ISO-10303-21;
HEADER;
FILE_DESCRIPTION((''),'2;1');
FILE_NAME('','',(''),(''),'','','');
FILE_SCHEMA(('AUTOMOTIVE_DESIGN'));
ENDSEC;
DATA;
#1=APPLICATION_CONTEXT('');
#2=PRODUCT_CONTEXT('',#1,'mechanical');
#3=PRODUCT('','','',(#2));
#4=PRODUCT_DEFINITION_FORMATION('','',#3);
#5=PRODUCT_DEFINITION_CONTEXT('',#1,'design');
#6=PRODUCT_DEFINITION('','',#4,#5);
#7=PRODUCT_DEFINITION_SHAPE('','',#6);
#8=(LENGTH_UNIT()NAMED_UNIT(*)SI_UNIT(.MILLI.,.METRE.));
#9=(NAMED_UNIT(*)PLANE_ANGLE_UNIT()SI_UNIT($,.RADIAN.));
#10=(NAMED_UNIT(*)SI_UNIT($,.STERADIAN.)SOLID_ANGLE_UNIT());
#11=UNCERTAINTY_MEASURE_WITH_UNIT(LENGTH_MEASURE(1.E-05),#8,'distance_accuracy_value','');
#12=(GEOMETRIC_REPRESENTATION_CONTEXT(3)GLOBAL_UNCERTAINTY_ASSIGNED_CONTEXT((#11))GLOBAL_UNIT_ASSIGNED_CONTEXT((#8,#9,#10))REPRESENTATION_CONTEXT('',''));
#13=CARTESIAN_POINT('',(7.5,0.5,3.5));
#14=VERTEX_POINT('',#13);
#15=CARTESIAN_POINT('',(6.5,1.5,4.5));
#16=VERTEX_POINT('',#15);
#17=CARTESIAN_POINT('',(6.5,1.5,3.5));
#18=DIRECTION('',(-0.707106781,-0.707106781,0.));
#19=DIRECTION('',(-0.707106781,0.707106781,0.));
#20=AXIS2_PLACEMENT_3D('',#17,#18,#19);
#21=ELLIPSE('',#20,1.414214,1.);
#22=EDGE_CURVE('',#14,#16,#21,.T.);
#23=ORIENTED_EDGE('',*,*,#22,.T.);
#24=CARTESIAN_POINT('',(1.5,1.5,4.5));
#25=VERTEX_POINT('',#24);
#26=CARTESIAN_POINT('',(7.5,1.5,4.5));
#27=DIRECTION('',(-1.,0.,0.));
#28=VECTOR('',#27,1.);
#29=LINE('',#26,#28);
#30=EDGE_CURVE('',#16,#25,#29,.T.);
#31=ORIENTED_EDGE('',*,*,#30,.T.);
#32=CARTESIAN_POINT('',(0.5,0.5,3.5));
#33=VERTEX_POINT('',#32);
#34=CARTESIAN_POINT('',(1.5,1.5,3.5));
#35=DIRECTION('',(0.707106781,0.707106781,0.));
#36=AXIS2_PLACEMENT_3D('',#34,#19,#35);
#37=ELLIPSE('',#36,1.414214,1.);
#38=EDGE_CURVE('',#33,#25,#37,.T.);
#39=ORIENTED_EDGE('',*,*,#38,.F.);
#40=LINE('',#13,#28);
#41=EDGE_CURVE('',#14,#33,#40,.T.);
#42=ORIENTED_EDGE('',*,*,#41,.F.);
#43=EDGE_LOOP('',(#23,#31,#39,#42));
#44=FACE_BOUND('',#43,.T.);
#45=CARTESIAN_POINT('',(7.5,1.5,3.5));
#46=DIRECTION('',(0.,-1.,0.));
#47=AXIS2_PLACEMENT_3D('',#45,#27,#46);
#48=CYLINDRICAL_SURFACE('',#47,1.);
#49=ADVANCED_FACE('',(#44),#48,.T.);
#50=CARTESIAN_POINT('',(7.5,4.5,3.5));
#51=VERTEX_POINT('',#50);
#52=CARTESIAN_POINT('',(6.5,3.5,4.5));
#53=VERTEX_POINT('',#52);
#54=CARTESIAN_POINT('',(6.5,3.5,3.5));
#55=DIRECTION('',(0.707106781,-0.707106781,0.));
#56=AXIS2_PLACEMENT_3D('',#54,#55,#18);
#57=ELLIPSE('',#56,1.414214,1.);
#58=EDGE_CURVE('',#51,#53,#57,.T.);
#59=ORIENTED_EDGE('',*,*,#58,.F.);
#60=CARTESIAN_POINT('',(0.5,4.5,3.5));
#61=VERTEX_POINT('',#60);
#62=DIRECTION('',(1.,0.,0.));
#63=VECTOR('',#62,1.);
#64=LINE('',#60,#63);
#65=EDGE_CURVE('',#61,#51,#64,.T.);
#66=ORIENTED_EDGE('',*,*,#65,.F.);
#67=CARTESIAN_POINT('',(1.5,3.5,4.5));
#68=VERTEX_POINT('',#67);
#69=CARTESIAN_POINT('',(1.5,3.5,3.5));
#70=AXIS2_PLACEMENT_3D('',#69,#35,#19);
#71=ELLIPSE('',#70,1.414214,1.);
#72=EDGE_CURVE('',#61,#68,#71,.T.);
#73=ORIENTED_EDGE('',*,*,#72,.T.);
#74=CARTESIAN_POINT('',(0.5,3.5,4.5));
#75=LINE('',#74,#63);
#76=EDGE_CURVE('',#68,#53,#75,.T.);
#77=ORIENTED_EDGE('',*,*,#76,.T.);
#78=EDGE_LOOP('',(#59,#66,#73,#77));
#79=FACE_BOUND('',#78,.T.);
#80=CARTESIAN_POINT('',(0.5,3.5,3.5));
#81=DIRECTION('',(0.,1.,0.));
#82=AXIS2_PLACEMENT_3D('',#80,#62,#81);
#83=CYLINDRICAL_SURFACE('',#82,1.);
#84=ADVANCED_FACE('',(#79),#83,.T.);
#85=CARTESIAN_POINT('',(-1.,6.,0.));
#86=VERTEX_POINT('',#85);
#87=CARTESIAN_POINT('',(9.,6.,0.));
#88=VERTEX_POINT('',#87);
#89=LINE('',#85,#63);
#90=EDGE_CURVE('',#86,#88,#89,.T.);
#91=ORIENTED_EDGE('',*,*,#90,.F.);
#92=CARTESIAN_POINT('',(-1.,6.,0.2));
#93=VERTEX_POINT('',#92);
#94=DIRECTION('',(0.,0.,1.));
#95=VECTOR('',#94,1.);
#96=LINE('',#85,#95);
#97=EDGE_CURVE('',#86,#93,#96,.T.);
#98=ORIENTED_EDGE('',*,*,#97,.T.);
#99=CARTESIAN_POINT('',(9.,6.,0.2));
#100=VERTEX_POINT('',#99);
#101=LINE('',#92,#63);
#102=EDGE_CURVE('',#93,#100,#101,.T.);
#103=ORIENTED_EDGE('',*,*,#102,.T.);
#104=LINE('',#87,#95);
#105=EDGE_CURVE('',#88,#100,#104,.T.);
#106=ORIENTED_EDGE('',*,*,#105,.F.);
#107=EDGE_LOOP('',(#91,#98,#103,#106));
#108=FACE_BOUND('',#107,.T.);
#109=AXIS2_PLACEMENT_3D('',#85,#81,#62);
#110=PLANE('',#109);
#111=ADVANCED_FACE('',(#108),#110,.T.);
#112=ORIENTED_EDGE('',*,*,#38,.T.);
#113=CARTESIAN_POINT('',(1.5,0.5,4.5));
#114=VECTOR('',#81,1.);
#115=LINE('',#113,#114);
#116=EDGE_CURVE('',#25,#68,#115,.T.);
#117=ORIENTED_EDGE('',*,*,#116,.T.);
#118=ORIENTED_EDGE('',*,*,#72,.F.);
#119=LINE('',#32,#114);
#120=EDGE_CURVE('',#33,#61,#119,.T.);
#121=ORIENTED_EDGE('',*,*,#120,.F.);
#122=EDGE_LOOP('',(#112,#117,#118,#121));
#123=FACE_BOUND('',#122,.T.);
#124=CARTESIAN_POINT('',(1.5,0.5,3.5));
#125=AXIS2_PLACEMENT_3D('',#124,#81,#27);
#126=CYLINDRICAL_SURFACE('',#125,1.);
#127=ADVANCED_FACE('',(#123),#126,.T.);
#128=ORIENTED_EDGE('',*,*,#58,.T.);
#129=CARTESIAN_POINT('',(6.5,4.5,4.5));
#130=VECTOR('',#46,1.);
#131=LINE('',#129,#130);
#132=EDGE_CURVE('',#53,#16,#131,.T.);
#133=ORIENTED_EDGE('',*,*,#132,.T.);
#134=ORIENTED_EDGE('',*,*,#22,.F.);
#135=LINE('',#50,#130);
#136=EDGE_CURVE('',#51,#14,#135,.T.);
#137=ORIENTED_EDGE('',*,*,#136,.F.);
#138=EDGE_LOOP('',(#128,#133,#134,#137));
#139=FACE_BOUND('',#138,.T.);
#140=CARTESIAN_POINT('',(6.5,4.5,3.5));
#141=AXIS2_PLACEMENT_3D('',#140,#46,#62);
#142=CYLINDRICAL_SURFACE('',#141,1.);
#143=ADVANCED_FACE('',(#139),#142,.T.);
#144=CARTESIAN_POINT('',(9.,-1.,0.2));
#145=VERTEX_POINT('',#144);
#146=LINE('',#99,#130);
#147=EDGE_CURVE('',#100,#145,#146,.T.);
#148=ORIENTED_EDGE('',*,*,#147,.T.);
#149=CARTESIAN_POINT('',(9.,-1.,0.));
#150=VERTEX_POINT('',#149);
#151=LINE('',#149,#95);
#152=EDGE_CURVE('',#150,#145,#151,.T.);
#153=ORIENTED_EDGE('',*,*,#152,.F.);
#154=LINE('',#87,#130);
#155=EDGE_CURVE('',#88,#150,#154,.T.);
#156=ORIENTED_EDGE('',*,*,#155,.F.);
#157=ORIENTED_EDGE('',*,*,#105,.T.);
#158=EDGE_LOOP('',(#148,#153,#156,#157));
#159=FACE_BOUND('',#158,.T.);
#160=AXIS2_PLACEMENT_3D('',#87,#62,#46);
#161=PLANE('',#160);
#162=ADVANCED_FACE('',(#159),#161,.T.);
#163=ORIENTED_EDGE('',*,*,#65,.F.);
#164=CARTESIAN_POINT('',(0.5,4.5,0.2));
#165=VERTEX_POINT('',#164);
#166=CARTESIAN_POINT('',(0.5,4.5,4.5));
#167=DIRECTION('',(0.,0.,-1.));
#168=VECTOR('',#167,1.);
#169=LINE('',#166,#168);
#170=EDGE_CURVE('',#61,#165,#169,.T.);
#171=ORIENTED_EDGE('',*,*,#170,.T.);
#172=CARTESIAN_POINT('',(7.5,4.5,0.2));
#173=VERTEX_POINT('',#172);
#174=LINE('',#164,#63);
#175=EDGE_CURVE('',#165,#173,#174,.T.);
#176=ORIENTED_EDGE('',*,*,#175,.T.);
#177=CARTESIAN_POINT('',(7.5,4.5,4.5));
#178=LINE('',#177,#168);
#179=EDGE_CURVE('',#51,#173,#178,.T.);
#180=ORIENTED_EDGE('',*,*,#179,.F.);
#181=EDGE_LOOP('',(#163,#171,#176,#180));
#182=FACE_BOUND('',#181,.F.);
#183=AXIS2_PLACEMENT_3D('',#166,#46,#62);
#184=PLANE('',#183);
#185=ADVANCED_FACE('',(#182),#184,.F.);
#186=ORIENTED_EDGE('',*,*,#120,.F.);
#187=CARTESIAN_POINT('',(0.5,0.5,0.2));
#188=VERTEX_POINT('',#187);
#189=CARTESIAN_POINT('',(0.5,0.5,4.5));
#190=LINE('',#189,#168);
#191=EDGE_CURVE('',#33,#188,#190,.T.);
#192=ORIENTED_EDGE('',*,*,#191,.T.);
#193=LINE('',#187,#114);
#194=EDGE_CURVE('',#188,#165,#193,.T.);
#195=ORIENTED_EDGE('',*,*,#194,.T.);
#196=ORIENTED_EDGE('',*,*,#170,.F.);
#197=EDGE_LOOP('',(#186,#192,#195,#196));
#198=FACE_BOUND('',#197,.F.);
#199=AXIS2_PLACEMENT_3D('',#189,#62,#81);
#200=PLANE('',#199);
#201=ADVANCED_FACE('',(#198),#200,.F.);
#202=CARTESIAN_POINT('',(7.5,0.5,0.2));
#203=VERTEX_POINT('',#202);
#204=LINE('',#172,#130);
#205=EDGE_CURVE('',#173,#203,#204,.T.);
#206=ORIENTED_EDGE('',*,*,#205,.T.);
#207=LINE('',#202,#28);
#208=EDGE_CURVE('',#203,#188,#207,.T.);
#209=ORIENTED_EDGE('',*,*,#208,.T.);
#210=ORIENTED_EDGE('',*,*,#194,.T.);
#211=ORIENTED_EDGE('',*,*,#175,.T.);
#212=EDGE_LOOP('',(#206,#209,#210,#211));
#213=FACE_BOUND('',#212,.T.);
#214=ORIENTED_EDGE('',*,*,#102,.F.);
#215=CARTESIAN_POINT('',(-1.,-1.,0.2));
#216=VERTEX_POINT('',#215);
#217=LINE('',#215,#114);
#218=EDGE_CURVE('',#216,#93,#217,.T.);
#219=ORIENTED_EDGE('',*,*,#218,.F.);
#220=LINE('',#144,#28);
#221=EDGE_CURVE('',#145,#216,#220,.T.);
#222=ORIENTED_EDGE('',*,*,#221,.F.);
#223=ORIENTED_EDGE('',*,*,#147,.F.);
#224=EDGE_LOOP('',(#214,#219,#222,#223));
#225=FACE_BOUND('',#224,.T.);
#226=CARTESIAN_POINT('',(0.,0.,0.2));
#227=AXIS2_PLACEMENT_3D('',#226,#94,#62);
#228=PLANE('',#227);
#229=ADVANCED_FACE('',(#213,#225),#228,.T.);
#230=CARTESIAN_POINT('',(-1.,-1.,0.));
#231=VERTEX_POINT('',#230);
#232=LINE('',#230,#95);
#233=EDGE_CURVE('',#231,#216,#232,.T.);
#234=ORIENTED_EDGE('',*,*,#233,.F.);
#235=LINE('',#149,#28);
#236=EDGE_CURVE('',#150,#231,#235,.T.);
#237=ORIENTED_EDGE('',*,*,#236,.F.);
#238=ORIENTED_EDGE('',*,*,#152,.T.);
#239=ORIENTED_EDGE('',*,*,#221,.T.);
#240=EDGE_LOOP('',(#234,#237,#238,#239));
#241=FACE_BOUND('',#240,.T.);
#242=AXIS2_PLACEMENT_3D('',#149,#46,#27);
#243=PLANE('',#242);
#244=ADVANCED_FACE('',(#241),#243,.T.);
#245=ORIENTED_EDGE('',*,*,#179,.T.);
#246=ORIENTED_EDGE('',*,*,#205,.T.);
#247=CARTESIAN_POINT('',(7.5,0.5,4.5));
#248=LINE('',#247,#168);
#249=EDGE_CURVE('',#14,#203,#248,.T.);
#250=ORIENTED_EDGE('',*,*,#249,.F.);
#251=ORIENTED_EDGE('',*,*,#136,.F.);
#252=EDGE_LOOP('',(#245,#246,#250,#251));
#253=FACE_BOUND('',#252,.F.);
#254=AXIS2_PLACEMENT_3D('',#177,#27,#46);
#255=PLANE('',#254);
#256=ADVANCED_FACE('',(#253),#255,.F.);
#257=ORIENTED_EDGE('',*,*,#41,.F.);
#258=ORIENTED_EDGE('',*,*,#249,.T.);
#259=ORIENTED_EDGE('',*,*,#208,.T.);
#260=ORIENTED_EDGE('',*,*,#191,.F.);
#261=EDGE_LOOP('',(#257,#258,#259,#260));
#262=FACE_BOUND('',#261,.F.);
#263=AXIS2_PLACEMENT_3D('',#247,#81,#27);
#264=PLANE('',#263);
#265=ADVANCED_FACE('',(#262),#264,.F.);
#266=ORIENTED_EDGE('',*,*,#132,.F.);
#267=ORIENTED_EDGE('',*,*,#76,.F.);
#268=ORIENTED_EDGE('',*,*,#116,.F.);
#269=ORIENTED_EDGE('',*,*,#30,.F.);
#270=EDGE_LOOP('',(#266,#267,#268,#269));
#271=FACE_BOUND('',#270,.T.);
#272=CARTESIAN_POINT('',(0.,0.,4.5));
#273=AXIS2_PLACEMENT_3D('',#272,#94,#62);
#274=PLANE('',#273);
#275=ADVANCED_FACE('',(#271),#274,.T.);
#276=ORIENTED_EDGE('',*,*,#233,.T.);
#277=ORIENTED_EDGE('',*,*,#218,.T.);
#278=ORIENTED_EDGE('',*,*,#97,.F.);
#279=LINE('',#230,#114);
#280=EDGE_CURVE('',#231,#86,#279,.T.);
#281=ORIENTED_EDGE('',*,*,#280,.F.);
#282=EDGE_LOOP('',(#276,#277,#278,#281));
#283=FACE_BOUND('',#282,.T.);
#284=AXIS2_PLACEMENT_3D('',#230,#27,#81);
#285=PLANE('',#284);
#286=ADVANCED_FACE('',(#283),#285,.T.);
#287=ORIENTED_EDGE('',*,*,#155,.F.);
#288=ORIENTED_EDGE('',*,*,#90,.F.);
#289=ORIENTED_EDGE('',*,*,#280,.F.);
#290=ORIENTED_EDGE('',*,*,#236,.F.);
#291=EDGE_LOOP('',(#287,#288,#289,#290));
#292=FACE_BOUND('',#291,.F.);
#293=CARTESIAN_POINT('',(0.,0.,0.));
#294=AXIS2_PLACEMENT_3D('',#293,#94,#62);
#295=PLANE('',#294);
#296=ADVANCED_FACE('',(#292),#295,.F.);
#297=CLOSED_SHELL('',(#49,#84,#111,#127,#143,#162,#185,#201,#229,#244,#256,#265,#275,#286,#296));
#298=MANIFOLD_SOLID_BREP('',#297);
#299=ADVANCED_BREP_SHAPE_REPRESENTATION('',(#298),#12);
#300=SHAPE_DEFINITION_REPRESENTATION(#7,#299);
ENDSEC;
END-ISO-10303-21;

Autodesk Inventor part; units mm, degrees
ref_plane "YZ Plane" through (0, 0, 0) normal (1, 0, 0) x (0, 1, 0)
ref_plane "XZ Plane" through (0, 0, 0) normal (0, 1, 0) x (-1, 0, 0)
ref_plane "XY Plane" through (0, 0, 0) normal (0, 0, 1) x (1, 0, 0)
sketch "Sketch1" plane through (0, 0, 0) normal (0, 0, 1) x (1, 0, 0)
  line L0 (-1, 6) -> (9, 6)
  line L1 (9, 6) -> (9, -1)
  line L2 (9, -1) -> (-1, -1)
  line L3 (-1, -1) -> (-1, 6)
  line L4 (0.5, 4.5) -> (7.5, 4.5)
  line L5 (7.5, 4.5) -> (7.5, 0.5)
  line L6 (7.5, 0.5) -> (0.5, 0.5)
  line L7 (0.5, 0.5) -> (0.5, 4.5)
  point P0 (0, 0)
extrude "Extrusion1" add sketch "Sketch1" along normal blind 4.5 contours L0 L1 L2 L3 | L4 L5 L6 L7
sketch "Sketch2" plane through (0, 0, 4.5) normal (0, 0, 1) x (1, 0, 0)
  line L0 (-1, 6) -> (9, 6)
  line L1 (9, 6) -> (9, -1)
  line L2 (9, -1) -> (-1, -1)
  line L3 (-1, -1) -> (-1, 6)
  line L4 (0.5, 4.5) -> (7.5, 4.5)
  line L5 (7.5, 4.5) -> (7.5, 0.5)
  line L6 (7.5, 0.5) -> (0.5, 0.5)
  line L7 (0.5, 0.5) -> (0.5, 4.5)
  point P0 (0, 0)
  point P1 (0, 0)
extrude "Extrusion2" cut sketch "Sketch2" against normal blind 4.3
fillet "Fillet1" radius 1 4 edges at (0.5, 2.5, 4.5) (4, 0.5, 4.5) (7.5, 2.5, 4.5) (4, 4.5, 4.5)
properties part number "powerbutton"
